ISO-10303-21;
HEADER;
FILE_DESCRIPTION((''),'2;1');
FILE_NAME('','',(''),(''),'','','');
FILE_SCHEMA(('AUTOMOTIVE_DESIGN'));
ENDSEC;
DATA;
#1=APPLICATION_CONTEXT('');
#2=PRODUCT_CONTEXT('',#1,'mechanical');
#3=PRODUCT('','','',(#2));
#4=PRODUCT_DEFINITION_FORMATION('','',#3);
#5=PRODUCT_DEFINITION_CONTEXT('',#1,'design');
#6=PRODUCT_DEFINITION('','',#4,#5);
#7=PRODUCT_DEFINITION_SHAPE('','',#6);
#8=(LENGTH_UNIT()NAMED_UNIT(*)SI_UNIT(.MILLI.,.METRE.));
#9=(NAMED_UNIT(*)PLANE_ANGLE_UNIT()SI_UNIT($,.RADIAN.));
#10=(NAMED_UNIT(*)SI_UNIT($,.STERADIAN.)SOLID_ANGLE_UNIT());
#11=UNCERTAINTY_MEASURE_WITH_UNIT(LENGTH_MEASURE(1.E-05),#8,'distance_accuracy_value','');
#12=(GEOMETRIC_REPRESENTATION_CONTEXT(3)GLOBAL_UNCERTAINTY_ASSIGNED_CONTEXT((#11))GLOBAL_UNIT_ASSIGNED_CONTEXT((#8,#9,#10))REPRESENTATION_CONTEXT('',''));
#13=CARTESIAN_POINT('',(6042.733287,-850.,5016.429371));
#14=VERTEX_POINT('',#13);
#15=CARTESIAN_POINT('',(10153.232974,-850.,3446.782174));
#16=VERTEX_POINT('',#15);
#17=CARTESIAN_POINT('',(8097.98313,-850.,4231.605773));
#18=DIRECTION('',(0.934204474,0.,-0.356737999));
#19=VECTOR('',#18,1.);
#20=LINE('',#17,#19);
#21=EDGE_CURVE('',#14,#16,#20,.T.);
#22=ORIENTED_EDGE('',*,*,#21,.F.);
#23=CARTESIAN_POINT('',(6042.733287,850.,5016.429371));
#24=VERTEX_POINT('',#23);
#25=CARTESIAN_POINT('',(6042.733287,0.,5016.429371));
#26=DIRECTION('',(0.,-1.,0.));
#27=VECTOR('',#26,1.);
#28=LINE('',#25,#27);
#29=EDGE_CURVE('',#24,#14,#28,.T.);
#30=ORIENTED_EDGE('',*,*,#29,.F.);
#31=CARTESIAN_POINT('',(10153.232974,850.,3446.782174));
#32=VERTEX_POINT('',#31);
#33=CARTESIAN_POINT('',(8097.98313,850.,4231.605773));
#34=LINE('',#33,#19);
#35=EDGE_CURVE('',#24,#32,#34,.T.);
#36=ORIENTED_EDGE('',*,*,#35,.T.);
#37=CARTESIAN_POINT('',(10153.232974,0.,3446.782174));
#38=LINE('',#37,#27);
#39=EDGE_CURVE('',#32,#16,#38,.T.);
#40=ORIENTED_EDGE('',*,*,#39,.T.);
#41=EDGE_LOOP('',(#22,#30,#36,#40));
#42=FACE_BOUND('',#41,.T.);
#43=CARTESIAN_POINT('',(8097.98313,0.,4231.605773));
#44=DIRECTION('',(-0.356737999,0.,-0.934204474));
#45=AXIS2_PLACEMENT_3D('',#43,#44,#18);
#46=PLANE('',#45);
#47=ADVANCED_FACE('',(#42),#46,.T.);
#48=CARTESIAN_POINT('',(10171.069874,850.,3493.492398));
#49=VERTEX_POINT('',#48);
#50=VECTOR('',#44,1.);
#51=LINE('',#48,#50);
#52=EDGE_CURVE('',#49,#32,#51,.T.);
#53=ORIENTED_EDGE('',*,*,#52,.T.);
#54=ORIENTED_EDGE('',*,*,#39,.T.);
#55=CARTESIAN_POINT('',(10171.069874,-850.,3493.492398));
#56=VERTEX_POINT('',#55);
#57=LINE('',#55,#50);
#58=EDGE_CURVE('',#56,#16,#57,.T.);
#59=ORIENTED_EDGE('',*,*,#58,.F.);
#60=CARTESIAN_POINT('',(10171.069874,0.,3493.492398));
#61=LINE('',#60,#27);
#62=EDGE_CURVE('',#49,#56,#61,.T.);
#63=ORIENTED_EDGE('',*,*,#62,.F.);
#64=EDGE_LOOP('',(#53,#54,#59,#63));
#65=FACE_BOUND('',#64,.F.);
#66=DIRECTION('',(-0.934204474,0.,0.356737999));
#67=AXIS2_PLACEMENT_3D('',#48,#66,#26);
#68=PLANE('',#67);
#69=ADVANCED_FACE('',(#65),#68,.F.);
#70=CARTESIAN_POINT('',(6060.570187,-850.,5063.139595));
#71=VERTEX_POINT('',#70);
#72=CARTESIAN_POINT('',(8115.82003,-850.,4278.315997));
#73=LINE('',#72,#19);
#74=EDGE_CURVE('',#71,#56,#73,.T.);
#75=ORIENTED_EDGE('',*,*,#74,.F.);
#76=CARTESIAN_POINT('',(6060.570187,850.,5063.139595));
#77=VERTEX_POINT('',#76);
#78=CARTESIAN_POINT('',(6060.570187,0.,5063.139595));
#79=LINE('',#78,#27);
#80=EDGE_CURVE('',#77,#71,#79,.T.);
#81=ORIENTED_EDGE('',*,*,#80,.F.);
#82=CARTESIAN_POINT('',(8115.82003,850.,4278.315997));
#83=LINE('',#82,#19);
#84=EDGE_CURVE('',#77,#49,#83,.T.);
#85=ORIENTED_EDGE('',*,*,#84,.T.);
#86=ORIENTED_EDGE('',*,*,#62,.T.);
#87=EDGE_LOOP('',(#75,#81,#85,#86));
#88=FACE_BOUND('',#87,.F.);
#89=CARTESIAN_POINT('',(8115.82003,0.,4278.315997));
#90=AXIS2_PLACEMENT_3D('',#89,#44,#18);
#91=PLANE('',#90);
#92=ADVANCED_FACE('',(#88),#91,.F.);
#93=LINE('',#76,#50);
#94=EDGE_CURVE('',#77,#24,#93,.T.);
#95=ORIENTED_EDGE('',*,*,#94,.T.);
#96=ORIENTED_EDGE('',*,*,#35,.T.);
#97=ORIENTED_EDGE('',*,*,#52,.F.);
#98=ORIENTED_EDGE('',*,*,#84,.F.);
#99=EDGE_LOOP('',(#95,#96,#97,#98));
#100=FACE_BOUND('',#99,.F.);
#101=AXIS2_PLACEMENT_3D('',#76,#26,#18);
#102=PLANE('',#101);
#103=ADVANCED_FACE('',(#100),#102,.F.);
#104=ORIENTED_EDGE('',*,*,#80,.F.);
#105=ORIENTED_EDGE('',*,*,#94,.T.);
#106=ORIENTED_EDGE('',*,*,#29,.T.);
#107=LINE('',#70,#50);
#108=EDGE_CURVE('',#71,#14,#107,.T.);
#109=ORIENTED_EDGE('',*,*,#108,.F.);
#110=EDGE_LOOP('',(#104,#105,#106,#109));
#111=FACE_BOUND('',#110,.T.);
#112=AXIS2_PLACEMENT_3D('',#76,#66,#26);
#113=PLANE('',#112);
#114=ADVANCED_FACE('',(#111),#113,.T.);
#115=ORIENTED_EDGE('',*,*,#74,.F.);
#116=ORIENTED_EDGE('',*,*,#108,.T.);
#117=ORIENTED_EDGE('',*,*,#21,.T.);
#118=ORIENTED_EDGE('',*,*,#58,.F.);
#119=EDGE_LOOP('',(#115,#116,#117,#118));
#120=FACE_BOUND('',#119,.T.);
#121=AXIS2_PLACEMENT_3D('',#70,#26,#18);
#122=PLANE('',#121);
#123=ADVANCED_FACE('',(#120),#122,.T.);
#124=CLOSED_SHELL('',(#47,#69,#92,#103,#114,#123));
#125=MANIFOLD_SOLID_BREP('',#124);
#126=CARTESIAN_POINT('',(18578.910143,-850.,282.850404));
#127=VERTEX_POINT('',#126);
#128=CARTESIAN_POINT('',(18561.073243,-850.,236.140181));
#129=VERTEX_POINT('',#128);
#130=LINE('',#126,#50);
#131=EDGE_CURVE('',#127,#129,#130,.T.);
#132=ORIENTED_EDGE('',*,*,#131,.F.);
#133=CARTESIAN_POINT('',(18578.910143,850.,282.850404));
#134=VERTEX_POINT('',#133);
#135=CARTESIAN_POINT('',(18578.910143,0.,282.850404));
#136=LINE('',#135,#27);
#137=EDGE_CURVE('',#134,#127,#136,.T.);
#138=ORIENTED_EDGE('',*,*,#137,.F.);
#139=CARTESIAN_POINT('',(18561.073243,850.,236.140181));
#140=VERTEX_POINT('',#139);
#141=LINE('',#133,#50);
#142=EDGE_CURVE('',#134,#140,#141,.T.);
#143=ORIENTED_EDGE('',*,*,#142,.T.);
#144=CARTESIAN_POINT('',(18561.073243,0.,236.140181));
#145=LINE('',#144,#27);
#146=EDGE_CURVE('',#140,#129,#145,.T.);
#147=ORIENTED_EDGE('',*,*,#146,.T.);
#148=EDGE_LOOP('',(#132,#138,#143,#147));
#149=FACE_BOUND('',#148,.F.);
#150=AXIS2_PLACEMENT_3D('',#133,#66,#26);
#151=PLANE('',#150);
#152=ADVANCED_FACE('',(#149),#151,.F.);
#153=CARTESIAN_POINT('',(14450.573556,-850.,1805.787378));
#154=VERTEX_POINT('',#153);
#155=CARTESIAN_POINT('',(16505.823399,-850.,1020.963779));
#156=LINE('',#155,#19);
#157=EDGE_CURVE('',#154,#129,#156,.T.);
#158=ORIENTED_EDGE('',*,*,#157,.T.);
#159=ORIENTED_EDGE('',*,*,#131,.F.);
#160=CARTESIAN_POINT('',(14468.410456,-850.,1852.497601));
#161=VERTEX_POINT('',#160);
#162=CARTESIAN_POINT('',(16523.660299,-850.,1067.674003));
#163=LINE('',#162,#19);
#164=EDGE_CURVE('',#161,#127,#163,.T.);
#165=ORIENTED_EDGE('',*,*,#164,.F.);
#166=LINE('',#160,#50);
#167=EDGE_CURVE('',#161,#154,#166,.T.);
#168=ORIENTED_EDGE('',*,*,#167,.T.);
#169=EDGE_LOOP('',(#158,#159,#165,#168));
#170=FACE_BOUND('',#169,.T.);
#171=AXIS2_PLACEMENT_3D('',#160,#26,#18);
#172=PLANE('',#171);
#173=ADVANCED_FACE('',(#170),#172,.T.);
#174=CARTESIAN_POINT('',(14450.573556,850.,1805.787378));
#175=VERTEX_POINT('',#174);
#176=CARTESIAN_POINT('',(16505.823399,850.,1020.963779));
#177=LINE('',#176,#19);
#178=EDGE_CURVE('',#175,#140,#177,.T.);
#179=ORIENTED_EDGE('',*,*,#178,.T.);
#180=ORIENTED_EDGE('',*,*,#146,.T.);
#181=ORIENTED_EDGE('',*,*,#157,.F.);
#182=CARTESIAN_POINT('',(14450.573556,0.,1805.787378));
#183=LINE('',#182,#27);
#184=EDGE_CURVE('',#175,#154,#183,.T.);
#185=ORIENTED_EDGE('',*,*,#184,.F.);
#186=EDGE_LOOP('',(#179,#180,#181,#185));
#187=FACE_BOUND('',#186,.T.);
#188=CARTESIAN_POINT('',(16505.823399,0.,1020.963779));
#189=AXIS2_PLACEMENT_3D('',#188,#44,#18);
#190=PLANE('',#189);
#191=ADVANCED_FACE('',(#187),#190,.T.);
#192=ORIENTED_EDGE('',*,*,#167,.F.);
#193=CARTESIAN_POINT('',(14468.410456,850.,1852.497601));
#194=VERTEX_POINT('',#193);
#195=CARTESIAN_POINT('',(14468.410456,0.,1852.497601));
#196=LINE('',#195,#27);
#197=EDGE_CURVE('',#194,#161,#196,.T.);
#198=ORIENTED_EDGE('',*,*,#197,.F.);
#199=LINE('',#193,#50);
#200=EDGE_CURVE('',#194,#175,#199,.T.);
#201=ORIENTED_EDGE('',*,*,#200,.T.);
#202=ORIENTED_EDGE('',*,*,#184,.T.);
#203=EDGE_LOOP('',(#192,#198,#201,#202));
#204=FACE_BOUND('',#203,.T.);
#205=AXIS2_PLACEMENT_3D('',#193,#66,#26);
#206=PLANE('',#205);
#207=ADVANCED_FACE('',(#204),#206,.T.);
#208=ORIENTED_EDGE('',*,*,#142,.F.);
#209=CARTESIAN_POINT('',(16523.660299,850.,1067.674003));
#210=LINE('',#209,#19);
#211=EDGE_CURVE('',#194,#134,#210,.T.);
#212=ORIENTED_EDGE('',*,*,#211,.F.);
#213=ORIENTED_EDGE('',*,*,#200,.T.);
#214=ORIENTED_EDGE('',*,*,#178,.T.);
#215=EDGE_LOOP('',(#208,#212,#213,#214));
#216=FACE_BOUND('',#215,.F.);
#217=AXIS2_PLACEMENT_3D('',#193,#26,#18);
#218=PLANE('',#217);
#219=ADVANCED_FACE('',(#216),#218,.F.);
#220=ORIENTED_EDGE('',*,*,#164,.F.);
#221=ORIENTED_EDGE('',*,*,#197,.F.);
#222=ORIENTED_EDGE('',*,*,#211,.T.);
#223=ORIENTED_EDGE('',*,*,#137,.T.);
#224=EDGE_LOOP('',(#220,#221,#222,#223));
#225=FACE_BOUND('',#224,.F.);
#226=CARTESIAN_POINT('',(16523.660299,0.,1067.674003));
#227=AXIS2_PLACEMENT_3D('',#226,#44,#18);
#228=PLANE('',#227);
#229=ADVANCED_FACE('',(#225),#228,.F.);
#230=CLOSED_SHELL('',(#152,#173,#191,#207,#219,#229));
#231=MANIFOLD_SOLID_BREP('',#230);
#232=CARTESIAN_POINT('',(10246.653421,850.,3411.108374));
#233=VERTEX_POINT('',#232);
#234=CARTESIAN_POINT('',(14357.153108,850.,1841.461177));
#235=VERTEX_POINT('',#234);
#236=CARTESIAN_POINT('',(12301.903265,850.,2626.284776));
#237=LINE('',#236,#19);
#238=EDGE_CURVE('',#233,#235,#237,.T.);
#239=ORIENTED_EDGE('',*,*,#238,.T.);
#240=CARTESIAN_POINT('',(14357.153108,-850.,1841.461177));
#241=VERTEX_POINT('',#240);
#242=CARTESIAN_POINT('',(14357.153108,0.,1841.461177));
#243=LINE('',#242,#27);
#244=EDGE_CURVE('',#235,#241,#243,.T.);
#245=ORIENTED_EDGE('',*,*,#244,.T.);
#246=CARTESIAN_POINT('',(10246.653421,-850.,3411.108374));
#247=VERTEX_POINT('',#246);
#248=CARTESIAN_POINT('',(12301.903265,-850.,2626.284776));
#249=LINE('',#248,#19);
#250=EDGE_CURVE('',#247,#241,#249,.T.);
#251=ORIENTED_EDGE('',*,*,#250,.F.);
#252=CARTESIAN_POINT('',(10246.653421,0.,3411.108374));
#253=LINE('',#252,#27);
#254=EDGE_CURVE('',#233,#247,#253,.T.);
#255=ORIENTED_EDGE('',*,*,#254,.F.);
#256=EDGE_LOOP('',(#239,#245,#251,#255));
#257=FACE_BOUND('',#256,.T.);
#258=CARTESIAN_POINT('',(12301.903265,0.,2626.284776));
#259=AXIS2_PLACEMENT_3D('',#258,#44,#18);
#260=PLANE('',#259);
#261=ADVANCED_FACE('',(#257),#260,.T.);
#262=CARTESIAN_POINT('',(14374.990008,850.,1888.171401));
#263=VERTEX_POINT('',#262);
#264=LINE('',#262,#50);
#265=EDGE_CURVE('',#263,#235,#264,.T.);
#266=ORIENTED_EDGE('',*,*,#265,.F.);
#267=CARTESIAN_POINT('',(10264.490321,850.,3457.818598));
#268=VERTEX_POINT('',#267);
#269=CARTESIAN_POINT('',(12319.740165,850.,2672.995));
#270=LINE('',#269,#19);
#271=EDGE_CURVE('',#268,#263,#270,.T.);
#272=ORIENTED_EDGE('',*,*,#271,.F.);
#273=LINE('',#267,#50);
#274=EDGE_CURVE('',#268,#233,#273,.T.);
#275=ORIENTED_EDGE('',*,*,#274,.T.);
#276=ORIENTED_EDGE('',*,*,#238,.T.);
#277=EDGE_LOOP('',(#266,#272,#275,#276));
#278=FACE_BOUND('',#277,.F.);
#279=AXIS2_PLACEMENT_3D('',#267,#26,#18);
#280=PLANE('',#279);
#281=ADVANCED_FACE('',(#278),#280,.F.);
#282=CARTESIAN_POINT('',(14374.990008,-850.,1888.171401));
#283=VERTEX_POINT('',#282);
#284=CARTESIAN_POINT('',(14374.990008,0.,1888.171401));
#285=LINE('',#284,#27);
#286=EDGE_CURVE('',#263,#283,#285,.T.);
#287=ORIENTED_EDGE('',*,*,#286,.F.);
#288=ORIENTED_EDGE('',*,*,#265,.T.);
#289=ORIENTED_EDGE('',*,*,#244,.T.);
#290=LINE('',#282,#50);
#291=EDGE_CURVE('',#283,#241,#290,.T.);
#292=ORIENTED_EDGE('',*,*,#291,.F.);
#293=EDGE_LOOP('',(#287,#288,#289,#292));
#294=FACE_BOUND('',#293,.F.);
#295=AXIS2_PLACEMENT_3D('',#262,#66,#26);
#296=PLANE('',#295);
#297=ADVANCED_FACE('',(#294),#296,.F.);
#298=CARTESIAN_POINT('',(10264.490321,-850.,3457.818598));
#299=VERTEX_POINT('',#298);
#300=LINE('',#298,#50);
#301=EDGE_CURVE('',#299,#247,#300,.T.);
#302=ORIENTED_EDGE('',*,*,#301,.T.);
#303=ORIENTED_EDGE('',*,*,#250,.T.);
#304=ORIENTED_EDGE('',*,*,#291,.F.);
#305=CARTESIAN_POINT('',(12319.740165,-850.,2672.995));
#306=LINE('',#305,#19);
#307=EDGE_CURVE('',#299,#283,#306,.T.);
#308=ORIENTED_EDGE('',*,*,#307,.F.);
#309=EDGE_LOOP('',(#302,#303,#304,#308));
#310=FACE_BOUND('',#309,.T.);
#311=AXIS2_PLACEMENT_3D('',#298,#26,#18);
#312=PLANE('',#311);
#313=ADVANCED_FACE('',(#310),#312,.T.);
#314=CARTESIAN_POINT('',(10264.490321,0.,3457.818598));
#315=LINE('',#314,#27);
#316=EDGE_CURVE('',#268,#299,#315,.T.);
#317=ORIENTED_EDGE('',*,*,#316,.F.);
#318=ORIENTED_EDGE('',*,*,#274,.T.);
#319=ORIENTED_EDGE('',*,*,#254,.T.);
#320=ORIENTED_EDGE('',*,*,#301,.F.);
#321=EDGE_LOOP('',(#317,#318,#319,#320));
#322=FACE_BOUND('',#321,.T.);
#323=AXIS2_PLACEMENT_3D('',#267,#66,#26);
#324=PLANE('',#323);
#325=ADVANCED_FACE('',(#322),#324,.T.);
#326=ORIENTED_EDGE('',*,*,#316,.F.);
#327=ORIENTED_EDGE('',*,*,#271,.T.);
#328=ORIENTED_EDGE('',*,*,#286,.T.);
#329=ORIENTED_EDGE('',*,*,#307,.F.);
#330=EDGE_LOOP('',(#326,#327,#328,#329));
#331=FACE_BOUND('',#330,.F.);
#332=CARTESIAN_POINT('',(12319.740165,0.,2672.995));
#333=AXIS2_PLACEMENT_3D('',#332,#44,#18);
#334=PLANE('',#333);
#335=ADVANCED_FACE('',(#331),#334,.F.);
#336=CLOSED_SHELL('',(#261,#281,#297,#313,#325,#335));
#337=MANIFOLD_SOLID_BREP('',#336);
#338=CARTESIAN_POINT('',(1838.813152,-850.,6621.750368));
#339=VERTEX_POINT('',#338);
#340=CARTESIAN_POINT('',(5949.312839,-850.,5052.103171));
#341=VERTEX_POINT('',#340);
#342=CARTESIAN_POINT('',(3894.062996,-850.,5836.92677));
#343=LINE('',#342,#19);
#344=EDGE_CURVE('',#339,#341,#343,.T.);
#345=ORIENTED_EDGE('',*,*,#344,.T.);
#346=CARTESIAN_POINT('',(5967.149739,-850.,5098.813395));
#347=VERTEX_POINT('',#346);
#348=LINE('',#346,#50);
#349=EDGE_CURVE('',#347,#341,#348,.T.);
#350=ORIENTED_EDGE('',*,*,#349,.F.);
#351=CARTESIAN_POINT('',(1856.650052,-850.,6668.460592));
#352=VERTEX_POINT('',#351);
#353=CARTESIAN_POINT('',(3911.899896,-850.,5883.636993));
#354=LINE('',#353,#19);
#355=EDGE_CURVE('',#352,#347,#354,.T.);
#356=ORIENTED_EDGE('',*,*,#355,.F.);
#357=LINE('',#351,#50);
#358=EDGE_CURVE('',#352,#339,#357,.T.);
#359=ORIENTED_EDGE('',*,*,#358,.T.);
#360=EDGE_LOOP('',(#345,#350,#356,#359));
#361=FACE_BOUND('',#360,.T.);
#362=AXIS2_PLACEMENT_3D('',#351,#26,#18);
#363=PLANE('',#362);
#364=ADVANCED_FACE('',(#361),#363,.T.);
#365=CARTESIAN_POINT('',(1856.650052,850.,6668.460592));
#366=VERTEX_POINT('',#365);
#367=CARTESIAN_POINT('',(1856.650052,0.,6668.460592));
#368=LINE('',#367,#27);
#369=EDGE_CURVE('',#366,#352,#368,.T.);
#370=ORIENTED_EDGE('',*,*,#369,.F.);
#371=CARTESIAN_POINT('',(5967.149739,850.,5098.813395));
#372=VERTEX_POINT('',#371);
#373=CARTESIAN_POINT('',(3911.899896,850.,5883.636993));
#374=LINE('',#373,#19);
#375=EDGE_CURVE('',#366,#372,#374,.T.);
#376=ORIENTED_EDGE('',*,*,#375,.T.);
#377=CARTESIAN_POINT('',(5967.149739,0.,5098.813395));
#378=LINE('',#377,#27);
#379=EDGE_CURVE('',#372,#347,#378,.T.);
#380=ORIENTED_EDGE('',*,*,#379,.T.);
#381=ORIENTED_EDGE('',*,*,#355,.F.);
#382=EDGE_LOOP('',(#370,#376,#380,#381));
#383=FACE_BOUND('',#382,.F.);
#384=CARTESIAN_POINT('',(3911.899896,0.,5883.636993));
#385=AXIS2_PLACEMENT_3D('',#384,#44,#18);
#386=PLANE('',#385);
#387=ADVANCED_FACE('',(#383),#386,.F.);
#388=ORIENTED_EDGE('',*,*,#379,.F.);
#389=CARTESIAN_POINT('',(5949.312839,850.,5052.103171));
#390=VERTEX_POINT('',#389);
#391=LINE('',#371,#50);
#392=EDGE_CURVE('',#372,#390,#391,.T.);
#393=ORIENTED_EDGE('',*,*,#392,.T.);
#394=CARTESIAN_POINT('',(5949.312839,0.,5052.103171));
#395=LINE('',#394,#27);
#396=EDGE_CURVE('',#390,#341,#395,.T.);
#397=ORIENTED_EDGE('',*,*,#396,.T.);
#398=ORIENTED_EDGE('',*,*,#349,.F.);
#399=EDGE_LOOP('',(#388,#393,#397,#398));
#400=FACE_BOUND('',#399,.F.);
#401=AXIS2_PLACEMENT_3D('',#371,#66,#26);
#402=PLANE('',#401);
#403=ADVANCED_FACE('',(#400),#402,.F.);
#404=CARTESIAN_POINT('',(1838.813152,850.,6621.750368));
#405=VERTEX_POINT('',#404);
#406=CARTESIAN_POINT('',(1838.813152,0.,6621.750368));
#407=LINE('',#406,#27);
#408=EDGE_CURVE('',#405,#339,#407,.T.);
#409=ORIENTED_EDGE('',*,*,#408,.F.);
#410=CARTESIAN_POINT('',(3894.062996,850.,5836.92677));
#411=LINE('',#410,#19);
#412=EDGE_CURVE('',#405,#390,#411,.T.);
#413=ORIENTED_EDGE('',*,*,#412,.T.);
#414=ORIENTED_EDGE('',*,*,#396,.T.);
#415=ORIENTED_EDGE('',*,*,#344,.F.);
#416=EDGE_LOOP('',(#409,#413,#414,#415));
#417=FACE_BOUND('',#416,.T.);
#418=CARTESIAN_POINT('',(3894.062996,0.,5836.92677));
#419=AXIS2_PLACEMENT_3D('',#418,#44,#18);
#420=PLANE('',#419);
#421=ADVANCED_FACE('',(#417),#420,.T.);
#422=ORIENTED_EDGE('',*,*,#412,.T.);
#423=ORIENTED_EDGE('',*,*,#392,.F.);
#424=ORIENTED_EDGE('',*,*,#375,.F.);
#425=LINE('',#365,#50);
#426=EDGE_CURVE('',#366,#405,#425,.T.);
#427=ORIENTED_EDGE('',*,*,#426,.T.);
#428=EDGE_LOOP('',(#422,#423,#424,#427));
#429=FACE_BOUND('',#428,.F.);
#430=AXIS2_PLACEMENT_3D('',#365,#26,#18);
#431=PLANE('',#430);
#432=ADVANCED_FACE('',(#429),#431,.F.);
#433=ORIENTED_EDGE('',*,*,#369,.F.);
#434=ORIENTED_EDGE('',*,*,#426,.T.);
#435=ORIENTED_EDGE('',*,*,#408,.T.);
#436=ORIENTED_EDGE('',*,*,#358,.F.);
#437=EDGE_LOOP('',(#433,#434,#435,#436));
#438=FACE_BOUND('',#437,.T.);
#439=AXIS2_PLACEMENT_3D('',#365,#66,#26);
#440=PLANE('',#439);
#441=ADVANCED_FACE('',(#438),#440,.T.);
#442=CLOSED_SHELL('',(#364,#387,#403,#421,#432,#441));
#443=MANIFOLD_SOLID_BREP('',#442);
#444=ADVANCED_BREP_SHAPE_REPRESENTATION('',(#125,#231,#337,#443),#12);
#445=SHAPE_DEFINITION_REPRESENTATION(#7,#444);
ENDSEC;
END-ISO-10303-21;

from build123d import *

# Parameters (mm, degrees)
F3_W     = 4400
F3_H     = 1700
F4_DEPTH = 50


with BuildPart() as f4:
    # F3 (on face) → F4 (new body)
    with BuildSketch(Plane(origin=(2458.6537548104, 0, 6438.5777319229), x_dir=(0.9342044743, 0, -0.3567379993), z_dir=(-0.3567379993, 0, -0.9342044743))):
        with Locations((1555.5974960327, 0)):
            Rectangle(F3_W, F3_H)
    extrude(amount=F4_DEPTH)


with BuildPart() as f4b:
    # F3 (on face) → F4, piece 2 (new body)
    with BuildSketch(Plane(origin=(2458.6537548104, 0, 6438.5777319229), x_dir=(0.9342044743, 0, -0.3567379993), z_dir=(-0.3567379993, 0, -0.9342044743))):
        with Locations((6055.5974960327, 0)):
            Rectangle(F3_W, F3_H)
    extrude(amount=F4_DEPTH)


with BuildPart() as f4c:
    # F3 (on face) → F4, piece 3 (new body)
    with BuildSketch(Plane(origin=(2458.6537548104, 0, 6438.5777319229), x_dir=(0.9342044743, 0, -0.3567379993), z_dir=(-0.3567379993, 0, -0.9342044743))):
        with Locations((10555.5974960327, 0)):
            Rectangle(F3_W, F3_H)
    extrude(amount=F4_DEPTH)


with BuildPart() as f4d:
    # F3 (on face) → F4, piece 4 (new body)
    with BuildSketch(Plane(origin=(2458.6537548104, 0, 6438.5777319229), x_dir=(0.9342044743, 0, -0.3567379993), z_dir=(-0.3567379993, 0, -0.9342044743))):
        with Locations((15055.5974960327, 0)):
            Rectangle(F3_W, F3_H)
    extrude(amount=F4_DEPTH)


solid = Compound([f4.part, f4b.part, f4c.part, f4d.part])
